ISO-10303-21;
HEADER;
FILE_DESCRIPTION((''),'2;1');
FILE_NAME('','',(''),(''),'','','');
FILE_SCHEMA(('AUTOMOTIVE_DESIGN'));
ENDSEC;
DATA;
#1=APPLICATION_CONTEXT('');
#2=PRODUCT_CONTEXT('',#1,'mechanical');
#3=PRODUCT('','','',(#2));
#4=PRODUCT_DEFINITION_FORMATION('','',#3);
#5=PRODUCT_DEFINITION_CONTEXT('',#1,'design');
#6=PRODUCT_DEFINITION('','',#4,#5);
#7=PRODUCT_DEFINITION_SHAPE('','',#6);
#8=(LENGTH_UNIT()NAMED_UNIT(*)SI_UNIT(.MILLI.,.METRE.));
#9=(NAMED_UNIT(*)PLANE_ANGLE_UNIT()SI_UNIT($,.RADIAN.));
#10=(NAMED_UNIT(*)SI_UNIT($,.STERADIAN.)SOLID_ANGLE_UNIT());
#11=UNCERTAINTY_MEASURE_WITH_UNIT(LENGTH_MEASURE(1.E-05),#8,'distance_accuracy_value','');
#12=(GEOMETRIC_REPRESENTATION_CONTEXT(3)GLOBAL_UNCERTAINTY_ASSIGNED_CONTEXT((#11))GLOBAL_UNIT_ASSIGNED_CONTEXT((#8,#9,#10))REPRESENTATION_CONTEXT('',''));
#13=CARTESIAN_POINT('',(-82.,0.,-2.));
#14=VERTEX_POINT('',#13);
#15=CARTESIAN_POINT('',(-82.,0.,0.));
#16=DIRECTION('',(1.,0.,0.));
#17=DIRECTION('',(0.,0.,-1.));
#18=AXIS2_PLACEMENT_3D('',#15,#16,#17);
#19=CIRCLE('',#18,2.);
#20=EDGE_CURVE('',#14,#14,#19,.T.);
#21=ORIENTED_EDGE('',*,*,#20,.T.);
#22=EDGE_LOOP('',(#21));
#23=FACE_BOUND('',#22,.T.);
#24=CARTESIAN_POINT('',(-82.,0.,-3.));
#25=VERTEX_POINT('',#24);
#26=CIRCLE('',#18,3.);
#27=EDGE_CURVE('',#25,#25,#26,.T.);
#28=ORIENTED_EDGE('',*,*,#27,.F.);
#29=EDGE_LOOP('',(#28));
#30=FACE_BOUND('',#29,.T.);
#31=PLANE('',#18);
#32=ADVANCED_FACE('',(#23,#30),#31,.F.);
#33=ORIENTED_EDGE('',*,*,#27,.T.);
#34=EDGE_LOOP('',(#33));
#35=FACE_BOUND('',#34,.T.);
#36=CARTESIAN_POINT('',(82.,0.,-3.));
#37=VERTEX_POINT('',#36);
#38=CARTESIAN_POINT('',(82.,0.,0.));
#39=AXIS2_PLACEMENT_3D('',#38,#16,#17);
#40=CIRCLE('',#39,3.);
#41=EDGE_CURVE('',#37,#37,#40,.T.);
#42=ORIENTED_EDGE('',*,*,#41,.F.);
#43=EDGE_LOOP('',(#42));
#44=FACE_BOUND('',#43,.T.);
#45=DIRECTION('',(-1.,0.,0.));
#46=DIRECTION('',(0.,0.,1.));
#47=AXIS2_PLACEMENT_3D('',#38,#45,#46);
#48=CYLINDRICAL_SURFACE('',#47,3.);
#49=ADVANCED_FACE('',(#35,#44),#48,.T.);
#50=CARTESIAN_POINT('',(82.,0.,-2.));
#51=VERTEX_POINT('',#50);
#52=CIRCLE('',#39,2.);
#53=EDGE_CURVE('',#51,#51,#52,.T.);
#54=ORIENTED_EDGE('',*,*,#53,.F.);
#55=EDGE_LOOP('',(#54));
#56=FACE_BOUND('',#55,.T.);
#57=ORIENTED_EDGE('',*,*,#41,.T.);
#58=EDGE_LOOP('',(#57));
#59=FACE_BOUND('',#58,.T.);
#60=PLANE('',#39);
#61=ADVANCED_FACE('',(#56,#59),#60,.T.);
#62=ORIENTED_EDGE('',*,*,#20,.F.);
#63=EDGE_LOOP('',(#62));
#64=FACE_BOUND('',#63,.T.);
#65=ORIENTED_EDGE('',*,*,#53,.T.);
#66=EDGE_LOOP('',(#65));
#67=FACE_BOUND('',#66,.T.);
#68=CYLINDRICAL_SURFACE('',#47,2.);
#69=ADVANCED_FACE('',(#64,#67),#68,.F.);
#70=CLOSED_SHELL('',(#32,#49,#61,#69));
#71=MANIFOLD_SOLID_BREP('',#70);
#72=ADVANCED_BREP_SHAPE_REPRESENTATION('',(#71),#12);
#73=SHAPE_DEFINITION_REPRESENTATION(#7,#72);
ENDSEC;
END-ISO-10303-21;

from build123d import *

# Parameters (mm, degrees)
ESQUISSE1_R        = 3
ESQUISSE1_R_2      = 2
EXTRU_MINCE1_DEPTH = 82


with BuildPart() as part:
    # Esquisse1 → Extru.-Mince1 (new, symmetric)
    with BuildSketch(Plane(origin=(0, 0, 0), x_dir=(0, 0, -1), z_dir=(1, 0, 0))):
        Circle(ESQUISSE1_R)
        Circle(ESQUISSE1_R_2, mode=Mode.SUBTRACT)
    extrude(amount=EXTRU_MINCE1_DEPTH, both=True)


solid = part.part
